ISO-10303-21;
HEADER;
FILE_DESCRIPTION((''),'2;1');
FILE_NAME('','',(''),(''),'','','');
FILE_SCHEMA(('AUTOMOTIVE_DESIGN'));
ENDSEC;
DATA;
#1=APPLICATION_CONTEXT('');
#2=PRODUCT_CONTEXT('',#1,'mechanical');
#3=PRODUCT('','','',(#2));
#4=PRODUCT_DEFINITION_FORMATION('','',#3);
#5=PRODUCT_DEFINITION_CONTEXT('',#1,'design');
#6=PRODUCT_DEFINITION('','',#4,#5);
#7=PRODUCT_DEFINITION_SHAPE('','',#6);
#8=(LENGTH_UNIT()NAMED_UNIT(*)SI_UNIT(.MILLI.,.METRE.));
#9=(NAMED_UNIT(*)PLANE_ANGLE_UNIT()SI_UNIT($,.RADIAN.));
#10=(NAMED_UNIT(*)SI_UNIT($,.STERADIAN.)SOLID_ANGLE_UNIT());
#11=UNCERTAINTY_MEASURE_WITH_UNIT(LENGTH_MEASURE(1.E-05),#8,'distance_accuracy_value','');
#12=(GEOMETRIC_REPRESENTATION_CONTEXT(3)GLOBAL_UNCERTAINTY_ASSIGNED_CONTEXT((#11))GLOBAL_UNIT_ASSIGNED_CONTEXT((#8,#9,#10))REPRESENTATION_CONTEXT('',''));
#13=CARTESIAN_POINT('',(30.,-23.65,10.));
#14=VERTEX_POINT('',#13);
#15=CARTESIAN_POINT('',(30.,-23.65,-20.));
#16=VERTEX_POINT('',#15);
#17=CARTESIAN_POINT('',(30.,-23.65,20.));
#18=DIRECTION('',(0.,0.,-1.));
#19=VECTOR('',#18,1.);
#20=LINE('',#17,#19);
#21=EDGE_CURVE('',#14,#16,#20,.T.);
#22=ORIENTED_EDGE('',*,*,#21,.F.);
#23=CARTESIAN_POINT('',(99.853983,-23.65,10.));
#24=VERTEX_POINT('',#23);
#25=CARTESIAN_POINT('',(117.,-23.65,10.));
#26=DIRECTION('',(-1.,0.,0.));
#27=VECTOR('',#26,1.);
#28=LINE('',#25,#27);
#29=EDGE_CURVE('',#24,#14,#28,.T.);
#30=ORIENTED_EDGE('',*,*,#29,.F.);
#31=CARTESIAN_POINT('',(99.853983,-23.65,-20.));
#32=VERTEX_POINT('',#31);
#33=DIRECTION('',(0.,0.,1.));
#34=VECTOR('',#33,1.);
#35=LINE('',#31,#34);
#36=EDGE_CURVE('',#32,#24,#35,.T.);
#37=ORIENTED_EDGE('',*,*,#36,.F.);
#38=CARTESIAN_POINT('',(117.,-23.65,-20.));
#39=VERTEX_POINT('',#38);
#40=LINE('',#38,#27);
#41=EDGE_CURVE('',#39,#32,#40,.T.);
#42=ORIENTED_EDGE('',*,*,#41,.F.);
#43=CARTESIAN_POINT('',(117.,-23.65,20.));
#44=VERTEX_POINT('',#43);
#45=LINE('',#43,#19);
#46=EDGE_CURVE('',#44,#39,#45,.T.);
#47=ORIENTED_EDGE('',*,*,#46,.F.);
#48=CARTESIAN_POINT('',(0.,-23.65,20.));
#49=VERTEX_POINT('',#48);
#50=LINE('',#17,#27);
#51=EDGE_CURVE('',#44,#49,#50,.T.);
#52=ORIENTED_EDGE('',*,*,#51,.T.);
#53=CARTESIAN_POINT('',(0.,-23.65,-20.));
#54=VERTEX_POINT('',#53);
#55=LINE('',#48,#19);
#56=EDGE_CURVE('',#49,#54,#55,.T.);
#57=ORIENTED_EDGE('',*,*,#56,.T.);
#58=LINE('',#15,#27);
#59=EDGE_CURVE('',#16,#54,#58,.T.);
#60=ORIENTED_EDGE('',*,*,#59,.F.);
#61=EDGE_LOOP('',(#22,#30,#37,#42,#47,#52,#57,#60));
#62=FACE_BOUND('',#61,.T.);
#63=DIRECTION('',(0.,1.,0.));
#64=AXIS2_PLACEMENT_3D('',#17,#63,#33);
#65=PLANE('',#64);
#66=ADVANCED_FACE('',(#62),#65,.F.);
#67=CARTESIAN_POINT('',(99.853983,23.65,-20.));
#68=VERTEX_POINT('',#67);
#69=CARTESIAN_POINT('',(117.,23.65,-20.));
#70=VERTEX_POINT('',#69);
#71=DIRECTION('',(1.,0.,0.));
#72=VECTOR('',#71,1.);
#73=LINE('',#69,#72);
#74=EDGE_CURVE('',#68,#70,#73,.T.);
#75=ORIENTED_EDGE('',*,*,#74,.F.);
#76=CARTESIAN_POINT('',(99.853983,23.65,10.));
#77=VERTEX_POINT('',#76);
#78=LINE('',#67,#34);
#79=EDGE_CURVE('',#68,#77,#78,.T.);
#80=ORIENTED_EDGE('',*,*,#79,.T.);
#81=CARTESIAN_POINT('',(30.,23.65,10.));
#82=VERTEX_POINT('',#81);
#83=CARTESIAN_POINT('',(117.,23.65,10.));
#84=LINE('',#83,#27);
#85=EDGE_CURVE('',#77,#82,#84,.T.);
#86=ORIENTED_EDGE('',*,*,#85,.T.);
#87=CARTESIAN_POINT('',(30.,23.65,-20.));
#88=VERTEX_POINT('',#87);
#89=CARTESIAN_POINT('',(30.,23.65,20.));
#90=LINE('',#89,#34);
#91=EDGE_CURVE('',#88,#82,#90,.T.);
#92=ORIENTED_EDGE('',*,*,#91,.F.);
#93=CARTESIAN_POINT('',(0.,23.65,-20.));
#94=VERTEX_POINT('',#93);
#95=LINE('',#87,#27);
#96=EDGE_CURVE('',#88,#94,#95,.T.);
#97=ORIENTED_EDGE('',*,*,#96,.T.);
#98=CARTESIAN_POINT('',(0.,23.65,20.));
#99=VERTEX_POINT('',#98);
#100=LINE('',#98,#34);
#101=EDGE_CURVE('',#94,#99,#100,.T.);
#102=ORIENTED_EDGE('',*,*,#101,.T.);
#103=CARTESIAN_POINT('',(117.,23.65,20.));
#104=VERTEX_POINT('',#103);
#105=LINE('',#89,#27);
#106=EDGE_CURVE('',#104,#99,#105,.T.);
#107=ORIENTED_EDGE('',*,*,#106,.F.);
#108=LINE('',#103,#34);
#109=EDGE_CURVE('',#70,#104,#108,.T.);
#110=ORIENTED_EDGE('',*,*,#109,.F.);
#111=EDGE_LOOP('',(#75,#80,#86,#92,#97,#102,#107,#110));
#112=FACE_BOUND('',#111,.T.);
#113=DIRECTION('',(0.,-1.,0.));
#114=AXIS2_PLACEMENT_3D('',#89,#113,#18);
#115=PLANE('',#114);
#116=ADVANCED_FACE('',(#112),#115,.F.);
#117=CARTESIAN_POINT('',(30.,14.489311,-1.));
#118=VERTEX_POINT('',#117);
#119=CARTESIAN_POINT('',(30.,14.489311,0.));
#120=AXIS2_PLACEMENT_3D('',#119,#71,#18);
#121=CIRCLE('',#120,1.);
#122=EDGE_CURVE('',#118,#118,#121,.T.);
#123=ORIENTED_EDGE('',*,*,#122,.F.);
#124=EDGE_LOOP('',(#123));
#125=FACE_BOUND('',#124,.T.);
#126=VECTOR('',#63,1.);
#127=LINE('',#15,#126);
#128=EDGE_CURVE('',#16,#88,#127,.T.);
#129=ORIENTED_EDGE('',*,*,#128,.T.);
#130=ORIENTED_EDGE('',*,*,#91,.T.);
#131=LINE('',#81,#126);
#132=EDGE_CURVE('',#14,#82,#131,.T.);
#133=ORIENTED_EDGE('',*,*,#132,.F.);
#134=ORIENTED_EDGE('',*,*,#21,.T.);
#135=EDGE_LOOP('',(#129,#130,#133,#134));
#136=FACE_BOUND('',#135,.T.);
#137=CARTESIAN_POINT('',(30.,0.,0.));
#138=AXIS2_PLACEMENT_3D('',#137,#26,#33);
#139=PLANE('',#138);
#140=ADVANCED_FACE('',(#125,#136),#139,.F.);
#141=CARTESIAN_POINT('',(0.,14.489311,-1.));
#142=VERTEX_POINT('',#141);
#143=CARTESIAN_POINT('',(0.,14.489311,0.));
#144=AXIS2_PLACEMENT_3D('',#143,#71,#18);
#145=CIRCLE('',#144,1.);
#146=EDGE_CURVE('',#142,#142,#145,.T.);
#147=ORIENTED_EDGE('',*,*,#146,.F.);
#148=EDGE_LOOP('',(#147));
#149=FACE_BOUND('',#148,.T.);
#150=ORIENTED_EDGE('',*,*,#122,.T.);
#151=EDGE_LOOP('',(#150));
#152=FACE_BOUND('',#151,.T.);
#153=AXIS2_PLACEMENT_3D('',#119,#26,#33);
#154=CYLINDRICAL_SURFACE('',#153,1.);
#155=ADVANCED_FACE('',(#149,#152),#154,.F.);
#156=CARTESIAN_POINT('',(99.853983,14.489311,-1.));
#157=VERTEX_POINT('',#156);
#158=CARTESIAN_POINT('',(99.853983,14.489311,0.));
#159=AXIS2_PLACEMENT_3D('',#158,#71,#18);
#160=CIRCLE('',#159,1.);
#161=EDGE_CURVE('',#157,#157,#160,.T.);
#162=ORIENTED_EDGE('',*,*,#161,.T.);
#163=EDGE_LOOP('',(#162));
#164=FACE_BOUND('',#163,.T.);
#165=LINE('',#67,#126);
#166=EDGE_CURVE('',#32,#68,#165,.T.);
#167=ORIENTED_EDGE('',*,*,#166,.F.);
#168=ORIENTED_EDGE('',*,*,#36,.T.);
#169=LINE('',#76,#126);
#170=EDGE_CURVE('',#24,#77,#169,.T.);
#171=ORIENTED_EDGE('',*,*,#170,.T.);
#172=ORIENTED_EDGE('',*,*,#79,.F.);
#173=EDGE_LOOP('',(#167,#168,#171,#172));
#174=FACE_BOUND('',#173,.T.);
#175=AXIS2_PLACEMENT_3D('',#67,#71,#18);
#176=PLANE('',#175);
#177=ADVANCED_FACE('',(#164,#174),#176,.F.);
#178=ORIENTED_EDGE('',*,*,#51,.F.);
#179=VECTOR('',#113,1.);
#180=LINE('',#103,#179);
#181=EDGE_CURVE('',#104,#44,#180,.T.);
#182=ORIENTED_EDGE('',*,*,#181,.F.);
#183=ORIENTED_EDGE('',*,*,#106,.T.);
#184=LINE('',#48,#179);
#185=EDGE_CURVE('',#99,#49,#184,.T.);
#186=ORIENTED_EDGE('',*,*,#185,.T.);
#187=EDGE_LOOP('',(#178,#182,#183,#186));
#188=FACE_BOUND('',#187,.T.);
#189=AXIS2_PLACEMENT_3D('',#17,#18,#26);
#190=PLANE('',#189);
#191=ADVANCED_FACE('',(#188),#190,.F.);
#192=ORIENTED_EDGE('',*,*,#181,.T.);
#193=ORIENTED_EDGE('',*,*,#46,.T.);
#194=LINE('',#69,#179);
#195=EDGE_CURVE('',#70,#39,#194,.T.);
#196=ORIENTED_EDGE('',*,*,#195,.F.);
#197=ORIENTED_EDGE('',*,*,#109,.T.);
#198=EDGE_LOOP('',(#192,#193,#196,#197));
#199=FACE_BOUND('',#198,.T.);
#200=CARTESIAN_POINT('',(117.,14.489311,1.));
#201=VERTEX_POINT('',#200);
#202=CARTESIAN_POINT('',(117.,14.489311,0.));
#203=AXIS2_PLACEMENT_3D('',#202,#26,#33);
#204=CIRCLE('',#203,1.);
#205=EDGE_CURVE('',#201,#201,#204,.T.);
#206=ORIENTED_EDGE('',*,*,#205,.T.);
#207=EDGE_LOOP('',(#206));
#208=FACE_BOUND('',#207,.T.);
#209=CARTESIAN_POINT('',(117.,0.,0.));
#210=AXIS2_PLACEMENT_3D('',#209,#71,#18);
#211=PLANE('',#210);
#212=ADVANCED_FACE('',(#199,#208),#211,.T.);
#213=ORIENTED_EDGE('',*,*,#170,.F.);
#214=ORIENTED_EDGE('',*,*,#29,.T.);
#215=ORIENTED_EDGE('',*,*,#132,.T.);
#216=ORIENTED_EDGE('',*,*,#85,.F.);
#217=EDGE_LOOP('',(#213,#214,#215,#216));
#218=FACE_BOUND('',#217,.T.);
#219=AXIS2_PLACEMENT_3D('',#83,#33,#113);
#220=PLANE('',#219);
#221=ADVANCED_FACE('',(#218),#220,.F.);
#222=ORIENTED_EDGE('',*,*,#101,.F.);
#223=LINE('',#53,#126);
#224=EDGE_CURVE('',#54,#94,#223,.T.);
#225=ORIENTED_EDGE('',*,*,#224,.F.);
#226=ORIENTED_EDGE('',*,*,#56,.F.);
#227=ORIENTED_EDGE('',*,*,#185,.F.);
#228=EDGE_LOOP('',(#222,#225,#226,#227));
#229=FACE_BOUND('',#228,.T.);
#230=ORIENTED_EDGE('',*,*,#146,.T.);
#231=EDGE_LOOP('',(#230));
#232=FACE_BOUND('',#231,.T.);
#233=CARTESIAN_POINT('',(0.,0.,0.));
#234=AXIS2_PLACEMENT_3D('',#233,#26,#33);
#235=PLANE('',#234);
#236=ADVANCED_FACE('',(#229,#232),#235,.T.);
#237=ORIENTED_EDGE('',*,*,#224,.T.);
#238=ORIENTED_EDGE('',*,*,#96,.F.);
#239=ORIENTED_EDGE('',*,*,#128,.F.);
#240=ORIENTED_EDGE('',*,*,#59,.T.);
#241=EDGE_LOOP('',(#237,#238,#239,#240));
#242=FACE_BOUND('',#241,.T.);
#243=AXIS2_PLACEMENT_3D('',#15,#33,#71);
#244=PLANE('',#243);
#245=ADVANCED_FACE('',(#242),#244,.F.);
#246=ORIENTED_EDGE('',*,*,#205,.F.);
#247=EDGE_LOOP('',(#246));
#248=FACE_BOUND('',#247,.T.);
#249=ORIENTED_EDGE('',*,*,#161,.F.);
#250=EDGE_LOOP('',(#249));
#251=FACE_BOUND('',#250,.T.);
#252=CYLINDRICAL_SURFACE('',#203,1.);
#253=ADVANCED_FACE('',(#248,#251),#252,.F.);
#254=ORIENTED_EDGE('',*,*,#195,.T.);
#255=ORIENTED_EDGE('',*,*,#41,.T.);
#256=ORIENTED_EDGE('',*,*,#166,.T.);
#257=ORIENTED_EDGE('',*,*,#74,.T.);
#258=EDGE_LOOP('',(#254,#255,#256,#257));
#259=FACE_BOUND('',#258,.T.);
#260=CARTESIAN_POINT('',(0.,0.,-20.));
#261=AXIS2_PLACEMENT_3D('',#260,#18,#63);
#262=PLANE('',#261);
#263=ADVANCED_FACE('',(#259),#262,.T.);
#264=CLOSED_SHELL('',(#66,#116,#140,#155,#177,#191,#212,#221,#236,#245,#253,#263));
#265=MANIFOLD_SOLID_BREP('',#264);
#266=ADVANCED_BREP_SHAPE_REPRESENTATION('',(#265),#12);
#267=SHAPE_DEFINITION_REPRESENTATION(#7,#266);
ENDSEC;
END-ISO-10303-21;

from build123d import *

# Parameters (mm, degrees)
CROQUIS1_W              = 40
CROQUIS1_H              = 47.3
CROQUIS1_R              = 1
SALIENTE_EXTRUIR1_DEPTH = 30
CROQUIS2_W              = 10
CROQUIS2_H              = 47.3
SALIENTE_EXTRUIR2_DEPTH = 87
CROQUIS3_W              = 17.14601676
CROQUIS3_H              = 47.3
SALIENTE_EXTRUIR3_DEPTH = 30
CROQUIS4_R              = 1
CORTAR_EXTRUIR1_DEPTH   = 118


with BuildPart() as part:
    # Croquis1 → Saliente-Extruir1 (new body)
    with BuildSketch(Plane(origin=(0, 0, 0), x_dir=(0, 0, -1), z_dir=(1, 0, 0))):
        Rectangle(CROQUIS1_W, CROQUIS1_H)
        with Locations((0, 14.489311164)):
            Circle(CROQUIS1_R, mode=Mode.SUBTRACT)
    extrude(amount=SALIENTE_EXTRUIR1_DEPTH)

    # Croquis2 → Saliente-Extruir2 (add)
    with BuildSketch(Plane(origin=(30, 0, 0), x_dir=(0, 0, -1), z_dir=(1, 0, 0))):
        with Locations((-15, 0)):
            Rectangle(CROQUIS2_W, CROQUIS2_H)
    extrude(amount=SALIENTE_EXTRUIR2_DEPTH)

    # Croquis3 → Saliente-Extruir3 (add)
    with BuildSketch(Plane(origin=(0, 0, 10), x_dir=(-1, 0, 0), z_dir=(0, 0, -1))):
        with Locations((-108.42699162, 0)):
            Rectangle(CROQUIS3_W, CROQUIS3_H)
    extrude(amount=SALIENTE_EXTRUIR3_DEPTH)

    # Croquis4 → Cortar-Extruir1 (cut, through all)
    with BuildSketch(Plane.ZY):
        with Locations((0, 14.489311164)):
            Circle(CROQUIS4_R)
    extrude(amount=-CORTAR_EXTRUIR1_DEPTH, mode=Mode.SUBTRACT)


solid = part.part
